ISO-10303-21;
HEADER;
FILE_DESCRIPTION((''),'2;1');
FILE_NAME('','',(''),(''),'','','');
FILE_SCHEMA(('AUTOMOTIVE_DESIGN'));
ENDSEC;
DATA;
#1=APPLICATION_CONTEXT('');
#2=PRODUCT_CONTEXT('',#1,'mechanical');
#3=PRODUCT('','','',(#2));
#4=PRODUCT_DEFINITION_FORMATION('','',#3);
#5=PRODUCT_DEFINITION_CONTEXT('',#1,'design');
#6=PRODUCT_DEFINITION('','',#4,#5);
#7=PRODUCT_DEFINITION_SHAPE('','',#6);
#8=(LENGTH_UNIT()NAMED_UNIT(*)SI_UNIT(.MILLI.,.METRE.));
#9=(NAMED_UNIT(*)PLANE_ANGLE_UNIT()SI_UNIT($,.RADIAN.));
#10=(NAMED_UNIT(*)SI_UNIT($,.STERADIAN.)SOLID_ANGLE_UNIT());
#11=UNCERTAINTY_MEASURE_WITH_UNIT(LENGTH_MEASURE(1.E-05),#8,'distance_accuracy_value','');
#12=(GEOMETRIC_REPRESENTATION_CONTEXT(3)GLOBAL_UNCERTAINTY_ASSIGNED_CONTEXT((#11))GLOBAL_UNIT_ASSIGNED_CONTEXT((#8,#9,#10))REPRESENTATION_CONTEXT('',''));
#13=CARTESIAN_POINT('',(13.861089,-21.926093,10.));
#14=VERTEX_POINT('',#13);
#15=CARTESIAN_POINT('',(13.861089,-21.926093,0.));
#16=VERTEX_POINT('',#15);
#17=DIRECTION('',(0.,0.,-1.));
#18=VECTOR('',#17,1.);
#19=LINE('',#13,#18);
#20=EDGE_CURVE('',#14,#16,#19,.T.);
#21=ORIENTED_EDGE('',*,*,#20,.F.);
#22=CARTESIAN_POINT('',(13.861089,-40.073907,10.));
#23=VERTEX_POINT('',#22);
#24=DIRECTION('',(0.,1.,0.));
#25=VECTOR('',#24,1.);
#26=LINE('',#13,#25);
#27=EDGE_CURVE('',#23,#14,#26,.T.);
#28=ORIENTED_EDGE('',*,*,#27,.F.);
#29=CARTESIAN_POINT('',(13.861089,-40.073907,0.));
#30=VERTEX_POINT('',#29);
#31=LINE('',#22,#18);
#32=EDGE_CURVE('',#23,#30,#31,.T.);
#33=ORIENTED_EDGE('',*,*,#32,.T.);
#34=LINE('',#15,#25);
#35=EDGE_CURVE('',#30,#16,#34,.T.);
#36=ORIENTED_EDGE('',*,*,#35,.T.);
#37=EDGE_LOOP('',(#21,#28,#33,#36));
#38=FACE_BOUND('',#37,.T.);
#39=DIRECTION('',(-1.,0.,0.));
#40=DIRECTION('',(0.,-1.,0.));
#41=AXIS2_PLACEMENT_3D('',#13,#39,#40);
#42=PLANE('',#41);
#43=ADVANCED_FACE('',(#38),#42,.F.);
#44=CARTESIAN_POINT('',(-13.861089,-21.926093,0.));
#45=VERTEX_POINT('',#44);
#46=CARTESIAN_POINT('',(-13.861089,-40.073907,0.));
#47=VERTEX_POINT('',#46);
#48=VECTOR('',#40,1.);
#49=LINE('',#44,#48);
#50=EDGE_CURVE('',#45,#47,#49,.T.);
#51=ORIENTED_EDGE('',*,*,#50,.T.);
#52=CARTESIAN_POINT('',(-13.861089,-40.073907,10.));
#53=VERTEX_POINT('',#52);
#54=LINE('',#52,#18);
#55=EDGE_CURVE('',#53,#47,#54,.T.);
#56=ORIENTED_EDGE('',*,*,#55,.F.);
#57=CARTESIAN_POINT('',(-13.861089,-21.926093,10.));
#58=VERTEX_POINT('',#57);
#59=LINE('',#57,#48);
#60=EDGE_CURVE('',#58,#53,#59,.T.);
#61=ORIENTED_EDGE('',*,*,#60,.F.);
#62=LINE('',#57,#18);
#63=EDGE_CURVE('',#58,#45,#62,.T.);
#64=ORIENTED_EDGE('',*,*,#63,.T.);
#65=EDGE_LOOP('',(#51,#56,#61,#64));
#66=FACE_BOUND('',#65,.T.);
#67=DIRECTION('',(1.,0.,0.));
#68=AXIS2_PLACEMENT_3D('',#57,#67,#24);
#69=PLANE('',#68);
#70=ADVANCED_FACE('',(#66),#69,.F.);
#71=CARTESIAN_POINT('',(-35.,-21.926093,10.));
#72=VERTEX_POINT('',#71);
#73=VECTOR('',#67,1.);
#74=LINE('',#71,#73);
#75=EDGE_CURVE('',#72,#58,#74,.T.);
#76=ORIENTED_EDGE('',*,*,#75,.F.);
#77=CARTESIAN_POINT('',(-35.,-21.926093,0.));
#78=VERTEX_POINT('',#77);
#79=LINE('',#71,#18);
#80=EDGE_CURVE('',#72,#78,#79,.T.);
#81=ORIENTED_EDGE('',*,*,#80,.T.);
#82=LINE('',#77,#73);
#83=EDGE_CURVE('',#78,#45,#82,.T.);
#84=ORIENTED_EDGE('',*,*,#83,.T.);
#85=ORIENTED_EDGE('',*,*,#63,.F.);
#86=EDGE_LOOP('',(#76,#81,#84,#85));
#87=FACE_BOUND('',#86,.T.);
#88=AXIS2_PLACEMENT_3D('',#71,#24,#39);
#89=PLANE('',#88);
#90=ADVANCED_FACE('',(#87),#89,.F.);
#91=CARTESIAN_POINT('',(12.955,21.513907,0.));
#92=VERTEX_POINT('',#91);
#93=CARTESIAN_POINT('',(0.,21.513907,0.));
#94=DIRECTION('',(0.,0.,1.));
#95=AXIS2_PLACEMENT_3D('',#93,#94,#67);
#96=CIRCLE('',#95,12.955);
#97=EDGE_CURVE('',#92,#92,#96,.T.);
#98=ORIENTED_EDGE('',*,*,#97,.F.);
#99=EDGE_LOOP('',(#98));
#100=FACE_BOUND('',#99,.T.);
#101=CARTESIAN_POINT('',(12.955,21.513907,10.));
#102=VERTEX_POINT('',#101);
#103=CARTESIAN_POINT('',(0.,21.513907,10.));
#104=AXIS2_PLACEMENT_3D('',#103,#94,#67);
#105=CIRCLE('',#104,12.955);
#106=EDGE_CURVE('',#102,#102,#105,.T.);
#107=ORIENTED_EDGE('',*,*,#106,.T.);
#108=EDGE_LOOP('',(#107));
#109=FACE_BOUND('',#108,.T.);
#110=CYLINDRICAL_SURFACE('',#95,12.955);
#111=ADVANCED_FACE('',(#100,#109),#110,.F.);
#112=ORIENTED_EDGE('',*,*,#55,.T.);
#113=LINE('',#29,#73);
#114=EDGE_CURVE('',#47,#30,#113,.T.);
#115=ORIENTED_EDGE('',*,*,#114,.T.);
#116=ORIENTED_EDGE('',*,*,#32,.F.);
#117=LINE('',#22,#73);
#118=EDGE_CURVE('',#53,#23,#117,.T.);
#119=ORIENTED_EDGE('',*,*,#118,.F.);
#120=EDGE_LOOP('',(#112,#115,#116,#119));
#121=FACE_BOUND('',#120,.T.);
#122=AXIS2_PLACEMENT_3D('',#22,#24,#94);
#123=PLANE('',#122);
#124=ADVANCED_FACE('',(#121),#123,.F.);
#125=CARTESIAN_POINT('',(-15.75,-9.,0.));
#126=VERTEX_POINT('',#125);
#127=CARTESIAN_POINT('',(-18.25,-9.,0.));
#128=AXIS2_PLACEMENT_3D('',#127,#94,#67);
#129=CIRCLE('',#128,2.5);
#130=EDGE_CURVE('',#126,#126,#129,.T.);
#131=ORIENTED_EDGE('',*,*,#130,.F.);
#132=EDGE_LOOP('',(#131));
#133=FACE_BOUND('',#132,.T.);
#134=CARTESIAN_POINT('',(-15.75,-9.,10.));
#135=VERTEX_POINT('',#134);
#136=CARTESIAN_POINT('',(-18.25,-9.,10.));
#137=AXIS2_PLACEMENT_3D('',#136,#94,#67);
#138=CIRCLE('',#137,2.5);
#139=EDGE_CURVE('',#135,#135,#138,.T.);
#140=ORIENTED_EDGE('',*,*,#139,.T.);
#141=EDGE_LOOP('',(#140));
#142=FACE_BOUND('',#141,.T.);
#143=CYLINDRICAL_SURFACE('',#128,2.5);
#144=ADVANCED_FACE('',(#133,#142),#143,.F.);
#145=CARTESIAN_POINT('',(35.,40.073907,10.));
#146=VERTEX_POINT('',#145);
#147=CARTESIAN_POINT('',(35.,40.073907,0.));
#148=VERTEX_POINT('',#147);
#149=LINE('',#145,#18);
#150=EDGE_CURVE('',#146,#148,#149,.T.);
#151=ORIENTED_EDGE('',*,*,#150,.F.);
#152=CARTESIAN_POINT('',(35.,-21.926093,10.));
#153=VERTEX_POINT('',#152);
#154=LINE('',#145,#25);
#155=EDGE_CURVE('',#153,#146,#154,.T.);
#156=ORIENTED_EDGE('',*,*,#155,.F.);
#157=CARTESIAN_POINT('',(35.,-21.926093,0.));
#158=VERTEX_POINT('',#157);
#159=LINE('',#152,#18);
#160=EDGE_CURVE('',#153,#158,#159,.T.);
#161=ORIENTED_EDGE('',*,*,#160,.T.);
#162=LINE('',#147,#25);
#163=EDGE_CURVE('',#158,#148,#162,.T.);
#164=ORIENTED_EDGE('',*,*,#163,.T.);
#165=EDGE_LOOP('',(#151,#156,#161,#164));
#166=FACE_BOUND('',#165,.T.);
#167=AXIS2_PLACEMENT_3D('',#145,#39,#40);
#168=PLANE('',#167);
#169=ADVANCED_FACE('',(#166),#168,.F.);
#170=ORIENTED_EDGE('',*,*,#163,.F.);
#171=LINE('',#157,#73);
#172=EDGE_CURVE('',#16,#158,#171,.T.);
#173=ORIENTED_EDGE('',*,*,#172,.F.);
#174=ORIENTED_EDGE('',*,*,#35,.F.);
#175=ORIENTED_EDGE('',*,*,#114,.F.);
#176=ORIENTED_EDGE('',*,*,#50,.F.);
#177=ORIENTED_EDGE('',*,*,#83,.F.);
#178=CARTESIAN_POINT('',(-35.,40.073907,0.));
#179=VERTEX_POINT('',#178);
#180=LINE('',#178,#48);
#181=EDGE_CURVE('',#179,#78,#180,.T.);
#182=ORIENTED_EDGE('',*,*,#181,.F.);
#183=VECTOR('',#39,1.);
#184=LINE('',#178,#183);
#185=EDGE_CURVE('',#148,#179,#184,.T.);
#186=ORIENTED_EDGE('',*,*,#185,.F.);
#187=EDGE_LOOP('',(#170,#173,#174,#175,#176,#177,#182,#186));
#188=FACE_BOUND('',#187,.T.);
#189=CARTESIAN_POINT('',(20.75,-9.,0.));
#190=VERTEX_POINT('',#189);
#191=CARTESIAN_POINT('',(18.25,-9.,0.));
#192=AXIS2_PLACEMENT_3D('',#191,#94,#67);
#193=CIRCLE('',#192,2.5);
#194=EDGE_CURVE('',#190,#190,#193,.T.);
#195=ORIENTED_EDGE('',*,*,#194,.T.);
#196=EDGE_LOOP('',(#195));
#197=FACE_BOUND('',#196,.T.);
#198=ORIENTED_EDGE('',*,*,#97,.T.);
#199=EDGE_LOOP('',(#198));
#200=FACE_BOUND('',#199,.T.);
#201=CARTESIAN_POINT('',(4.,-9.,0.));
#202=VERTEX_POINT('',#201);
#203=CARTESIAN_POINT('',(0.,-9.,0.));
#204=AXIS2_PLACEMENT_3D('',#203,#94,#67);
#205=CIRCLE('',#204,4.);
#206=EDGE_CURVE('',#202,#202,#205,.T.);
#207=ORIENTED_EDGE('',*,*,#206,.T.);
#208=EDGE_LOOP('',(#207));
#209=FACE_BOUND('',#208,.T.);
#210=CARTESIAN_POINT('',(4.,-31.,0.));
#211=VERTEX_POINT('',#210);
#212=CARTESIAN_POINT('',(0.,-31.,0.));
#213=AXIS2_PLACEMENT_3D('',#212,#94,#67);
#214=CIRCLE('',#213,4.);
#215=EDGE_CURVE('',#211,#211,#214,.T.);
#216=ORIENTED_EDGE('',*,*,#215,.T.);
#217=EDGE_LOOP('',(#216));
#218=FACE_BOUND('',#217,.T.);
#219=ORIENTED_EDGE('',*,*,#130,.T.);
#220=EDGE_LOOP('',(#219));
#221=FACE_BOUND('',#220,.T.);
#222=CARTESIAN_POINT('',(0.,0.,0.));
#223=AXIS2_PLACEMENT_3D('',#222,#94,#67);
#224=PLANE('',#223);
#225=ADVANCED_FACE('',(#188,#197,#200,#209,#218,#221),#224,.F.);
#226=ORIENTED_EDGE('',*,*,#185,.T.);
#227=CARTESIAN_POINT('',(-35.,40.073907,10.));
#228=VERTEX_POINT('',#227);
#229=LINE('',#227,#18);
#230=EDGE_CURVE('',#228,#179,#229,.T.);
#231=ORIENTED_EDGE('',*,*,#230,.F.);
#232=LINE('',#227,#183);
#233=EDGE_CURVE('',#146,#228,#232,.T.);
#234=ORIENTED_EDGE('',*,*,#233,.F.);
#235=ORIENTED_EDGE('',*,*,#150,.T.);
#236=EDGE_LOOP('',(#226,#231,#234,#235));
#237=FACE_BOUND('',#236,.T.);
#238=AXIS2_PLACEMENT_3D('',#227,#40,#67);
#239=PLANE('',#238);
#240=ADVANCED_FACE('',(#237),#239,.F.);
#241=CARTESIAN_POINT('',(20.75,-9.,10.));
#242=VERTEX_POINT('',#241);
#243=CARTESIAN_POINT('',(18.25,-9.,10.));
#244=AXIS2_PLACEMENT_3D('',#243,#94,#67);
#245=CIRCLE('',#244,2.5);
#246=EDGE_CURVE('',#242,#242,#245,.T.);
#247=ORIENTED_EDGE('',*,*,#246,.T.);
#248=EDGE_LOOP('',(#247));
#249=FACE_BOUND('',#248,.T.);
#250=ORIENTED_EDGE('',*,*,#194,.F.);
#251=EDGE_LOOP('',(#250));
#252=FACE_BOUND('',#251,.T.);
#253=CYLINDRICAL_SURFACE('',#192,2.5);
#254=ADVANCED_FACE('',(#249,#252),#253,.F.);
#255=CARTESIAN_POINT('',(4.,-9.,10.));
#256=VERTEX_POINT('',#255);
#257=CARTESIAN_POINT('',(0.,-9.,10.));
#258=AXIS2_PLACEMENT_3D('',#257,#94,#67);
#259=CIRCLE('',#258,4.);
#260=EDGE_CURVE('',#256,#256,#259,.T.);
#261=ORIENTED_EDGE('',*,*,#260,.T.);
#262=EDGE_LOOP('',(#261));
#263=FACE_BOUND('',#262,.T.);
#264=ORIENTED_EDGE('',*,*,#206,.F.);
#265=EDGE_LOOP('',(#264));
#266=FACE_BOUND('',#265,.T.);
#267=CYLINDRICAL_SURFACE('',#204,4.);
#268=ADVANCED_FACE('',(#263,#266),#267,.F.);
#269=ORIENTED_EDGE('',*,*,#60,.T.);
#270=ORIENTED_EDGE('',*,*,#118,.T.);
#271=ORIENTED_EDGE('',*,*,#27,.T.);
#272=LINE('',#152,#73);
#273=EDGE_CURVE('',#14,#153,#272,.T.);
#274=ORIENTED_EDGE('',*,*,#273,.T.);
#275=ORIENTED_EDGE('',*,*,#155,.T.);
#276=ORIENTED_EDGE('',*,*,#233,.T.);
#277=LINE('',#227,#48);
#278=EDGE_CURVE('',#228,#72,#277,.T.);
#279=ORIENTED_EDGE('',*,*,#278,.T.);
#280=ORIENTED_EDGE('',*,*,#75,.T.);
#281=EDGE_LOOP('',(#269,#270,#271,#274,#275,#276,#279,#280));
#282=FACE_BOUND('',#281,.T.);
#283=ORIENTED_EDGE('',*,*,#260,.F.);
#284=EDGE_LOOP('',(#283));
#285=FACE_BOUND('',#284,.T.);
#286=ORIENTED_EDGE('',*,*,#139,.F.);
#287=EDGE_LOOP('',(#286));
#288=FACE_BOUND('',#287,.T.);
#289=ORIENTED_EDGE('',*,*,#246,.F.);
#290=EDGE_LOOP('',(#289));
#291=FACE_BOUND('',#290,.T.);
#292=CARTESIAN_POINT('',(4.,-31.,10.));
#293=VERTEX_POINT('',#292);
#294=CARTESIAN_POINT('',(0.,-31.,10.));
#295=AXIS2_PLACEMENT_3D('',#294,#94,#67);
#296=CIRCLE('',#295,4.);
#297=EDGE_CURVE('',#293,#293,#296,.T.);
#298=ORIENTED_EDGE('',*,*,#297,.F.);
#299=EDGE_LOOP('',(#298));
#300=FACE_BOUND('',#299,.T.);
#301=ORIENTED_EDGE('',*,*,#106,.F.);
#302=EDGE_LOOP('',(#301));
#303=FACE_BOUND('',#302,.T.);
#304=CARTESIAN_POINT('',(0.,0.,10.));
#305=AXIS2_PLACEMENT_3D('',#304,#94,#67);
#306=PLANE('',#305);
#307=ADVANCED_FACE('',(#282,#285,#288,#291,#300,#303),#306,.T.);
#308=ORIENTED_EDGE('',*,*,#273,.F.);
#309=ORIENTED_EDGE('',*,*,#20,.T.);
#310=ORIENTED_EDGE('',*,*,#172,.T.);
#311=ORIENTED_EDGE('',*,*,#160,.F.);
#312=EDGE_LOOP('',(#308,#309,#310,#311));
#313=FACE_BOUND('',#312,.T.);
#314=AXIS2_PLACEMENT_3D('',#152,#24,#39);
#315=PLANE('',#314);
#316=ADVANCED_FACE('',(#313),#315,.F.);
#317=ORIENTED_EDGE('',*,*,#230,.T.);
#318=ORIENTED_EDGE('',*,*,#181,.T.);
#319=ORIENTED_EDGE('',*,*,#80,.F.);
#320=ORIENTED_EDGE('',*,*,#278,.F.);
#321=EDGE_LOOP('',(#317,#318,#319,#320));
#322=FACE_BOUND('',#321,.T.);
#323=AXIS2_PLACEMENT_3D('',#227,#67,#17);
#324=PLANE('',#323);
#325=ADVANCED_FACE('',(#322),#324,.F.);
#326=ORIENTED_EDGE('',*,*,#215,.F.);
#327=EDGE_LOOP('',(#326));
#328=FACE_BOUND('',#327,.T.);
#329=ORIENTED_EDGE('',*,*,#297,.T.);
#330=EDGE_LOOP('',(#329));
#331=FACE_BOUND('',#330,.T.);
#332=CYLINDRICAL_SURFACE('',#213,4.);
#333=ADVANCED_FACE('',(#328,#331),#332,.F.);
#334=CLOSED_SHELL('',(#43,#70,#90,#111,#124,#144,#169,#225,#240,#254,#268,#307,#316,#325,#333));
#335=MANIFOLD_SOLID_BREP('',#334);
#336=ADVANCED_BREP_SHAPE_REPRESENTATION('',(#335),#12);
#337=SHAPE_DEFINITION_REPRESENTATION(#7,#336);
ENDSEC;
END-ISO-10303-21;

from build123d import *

# Parameters (mm, degrees)
BOSS_EXTRUDE1_DEPTH = 10
SKETCH2_R           = 4
SKETCH2_R_2         = 2.5
CUT_EXTRUDE1_DEPTH  = 11
SKETCH8_R           = 12.955
CUT_EXTRUDE9_DEPTH  = 10


with BuildPart() as part:
    # Sketch1 → Boss-Extrude1 (new body)
    with BuildSketch(Plane.XY):
        Polygon((-35, 40.07390675), (35, 40.07390675), (35, -21.92609325), (13.861088822, -21.92609325), (13.861088822, -40.07390675), (-13.861088822, -40.07390675), (-13.861088822, -21.92609325), (-35, -21.92609325), align=None)
    extrude(amount=BOSS_EXTRUDE1_DEPTH)

    # Sketch2 → Cut-Extrude1 (cut, through all)
    with BuildSketch(Plane.XY.offset(10)):
        with Locations((0, -31)):
            Circle(SKETCH2_R)
        with Locations((0, -9)):
            Circle(SKETCH2_R)
        with Locations((-18.25, -9)):
            Circle(SKETCH2_R_2)
        with Locations((18.25, -9)):
            Circle(SKETCH2_R_2)
    extrude(amount=-CUT_EXTRUDE1_DEPTH, mode=Mode.SUBTRACT)

    # Sketch8 → Cut-Extrude9 (cut)
    with BuildSketch(Plane.XY.offset(10)):
        with Locations((0, 21.51390675)):
            Circle(SKETCH8_R)
    extrude(amount=-CUT_EXTRUDE9_DEPTH, mode=Mode.SUBTRACT)


solid = part.part
